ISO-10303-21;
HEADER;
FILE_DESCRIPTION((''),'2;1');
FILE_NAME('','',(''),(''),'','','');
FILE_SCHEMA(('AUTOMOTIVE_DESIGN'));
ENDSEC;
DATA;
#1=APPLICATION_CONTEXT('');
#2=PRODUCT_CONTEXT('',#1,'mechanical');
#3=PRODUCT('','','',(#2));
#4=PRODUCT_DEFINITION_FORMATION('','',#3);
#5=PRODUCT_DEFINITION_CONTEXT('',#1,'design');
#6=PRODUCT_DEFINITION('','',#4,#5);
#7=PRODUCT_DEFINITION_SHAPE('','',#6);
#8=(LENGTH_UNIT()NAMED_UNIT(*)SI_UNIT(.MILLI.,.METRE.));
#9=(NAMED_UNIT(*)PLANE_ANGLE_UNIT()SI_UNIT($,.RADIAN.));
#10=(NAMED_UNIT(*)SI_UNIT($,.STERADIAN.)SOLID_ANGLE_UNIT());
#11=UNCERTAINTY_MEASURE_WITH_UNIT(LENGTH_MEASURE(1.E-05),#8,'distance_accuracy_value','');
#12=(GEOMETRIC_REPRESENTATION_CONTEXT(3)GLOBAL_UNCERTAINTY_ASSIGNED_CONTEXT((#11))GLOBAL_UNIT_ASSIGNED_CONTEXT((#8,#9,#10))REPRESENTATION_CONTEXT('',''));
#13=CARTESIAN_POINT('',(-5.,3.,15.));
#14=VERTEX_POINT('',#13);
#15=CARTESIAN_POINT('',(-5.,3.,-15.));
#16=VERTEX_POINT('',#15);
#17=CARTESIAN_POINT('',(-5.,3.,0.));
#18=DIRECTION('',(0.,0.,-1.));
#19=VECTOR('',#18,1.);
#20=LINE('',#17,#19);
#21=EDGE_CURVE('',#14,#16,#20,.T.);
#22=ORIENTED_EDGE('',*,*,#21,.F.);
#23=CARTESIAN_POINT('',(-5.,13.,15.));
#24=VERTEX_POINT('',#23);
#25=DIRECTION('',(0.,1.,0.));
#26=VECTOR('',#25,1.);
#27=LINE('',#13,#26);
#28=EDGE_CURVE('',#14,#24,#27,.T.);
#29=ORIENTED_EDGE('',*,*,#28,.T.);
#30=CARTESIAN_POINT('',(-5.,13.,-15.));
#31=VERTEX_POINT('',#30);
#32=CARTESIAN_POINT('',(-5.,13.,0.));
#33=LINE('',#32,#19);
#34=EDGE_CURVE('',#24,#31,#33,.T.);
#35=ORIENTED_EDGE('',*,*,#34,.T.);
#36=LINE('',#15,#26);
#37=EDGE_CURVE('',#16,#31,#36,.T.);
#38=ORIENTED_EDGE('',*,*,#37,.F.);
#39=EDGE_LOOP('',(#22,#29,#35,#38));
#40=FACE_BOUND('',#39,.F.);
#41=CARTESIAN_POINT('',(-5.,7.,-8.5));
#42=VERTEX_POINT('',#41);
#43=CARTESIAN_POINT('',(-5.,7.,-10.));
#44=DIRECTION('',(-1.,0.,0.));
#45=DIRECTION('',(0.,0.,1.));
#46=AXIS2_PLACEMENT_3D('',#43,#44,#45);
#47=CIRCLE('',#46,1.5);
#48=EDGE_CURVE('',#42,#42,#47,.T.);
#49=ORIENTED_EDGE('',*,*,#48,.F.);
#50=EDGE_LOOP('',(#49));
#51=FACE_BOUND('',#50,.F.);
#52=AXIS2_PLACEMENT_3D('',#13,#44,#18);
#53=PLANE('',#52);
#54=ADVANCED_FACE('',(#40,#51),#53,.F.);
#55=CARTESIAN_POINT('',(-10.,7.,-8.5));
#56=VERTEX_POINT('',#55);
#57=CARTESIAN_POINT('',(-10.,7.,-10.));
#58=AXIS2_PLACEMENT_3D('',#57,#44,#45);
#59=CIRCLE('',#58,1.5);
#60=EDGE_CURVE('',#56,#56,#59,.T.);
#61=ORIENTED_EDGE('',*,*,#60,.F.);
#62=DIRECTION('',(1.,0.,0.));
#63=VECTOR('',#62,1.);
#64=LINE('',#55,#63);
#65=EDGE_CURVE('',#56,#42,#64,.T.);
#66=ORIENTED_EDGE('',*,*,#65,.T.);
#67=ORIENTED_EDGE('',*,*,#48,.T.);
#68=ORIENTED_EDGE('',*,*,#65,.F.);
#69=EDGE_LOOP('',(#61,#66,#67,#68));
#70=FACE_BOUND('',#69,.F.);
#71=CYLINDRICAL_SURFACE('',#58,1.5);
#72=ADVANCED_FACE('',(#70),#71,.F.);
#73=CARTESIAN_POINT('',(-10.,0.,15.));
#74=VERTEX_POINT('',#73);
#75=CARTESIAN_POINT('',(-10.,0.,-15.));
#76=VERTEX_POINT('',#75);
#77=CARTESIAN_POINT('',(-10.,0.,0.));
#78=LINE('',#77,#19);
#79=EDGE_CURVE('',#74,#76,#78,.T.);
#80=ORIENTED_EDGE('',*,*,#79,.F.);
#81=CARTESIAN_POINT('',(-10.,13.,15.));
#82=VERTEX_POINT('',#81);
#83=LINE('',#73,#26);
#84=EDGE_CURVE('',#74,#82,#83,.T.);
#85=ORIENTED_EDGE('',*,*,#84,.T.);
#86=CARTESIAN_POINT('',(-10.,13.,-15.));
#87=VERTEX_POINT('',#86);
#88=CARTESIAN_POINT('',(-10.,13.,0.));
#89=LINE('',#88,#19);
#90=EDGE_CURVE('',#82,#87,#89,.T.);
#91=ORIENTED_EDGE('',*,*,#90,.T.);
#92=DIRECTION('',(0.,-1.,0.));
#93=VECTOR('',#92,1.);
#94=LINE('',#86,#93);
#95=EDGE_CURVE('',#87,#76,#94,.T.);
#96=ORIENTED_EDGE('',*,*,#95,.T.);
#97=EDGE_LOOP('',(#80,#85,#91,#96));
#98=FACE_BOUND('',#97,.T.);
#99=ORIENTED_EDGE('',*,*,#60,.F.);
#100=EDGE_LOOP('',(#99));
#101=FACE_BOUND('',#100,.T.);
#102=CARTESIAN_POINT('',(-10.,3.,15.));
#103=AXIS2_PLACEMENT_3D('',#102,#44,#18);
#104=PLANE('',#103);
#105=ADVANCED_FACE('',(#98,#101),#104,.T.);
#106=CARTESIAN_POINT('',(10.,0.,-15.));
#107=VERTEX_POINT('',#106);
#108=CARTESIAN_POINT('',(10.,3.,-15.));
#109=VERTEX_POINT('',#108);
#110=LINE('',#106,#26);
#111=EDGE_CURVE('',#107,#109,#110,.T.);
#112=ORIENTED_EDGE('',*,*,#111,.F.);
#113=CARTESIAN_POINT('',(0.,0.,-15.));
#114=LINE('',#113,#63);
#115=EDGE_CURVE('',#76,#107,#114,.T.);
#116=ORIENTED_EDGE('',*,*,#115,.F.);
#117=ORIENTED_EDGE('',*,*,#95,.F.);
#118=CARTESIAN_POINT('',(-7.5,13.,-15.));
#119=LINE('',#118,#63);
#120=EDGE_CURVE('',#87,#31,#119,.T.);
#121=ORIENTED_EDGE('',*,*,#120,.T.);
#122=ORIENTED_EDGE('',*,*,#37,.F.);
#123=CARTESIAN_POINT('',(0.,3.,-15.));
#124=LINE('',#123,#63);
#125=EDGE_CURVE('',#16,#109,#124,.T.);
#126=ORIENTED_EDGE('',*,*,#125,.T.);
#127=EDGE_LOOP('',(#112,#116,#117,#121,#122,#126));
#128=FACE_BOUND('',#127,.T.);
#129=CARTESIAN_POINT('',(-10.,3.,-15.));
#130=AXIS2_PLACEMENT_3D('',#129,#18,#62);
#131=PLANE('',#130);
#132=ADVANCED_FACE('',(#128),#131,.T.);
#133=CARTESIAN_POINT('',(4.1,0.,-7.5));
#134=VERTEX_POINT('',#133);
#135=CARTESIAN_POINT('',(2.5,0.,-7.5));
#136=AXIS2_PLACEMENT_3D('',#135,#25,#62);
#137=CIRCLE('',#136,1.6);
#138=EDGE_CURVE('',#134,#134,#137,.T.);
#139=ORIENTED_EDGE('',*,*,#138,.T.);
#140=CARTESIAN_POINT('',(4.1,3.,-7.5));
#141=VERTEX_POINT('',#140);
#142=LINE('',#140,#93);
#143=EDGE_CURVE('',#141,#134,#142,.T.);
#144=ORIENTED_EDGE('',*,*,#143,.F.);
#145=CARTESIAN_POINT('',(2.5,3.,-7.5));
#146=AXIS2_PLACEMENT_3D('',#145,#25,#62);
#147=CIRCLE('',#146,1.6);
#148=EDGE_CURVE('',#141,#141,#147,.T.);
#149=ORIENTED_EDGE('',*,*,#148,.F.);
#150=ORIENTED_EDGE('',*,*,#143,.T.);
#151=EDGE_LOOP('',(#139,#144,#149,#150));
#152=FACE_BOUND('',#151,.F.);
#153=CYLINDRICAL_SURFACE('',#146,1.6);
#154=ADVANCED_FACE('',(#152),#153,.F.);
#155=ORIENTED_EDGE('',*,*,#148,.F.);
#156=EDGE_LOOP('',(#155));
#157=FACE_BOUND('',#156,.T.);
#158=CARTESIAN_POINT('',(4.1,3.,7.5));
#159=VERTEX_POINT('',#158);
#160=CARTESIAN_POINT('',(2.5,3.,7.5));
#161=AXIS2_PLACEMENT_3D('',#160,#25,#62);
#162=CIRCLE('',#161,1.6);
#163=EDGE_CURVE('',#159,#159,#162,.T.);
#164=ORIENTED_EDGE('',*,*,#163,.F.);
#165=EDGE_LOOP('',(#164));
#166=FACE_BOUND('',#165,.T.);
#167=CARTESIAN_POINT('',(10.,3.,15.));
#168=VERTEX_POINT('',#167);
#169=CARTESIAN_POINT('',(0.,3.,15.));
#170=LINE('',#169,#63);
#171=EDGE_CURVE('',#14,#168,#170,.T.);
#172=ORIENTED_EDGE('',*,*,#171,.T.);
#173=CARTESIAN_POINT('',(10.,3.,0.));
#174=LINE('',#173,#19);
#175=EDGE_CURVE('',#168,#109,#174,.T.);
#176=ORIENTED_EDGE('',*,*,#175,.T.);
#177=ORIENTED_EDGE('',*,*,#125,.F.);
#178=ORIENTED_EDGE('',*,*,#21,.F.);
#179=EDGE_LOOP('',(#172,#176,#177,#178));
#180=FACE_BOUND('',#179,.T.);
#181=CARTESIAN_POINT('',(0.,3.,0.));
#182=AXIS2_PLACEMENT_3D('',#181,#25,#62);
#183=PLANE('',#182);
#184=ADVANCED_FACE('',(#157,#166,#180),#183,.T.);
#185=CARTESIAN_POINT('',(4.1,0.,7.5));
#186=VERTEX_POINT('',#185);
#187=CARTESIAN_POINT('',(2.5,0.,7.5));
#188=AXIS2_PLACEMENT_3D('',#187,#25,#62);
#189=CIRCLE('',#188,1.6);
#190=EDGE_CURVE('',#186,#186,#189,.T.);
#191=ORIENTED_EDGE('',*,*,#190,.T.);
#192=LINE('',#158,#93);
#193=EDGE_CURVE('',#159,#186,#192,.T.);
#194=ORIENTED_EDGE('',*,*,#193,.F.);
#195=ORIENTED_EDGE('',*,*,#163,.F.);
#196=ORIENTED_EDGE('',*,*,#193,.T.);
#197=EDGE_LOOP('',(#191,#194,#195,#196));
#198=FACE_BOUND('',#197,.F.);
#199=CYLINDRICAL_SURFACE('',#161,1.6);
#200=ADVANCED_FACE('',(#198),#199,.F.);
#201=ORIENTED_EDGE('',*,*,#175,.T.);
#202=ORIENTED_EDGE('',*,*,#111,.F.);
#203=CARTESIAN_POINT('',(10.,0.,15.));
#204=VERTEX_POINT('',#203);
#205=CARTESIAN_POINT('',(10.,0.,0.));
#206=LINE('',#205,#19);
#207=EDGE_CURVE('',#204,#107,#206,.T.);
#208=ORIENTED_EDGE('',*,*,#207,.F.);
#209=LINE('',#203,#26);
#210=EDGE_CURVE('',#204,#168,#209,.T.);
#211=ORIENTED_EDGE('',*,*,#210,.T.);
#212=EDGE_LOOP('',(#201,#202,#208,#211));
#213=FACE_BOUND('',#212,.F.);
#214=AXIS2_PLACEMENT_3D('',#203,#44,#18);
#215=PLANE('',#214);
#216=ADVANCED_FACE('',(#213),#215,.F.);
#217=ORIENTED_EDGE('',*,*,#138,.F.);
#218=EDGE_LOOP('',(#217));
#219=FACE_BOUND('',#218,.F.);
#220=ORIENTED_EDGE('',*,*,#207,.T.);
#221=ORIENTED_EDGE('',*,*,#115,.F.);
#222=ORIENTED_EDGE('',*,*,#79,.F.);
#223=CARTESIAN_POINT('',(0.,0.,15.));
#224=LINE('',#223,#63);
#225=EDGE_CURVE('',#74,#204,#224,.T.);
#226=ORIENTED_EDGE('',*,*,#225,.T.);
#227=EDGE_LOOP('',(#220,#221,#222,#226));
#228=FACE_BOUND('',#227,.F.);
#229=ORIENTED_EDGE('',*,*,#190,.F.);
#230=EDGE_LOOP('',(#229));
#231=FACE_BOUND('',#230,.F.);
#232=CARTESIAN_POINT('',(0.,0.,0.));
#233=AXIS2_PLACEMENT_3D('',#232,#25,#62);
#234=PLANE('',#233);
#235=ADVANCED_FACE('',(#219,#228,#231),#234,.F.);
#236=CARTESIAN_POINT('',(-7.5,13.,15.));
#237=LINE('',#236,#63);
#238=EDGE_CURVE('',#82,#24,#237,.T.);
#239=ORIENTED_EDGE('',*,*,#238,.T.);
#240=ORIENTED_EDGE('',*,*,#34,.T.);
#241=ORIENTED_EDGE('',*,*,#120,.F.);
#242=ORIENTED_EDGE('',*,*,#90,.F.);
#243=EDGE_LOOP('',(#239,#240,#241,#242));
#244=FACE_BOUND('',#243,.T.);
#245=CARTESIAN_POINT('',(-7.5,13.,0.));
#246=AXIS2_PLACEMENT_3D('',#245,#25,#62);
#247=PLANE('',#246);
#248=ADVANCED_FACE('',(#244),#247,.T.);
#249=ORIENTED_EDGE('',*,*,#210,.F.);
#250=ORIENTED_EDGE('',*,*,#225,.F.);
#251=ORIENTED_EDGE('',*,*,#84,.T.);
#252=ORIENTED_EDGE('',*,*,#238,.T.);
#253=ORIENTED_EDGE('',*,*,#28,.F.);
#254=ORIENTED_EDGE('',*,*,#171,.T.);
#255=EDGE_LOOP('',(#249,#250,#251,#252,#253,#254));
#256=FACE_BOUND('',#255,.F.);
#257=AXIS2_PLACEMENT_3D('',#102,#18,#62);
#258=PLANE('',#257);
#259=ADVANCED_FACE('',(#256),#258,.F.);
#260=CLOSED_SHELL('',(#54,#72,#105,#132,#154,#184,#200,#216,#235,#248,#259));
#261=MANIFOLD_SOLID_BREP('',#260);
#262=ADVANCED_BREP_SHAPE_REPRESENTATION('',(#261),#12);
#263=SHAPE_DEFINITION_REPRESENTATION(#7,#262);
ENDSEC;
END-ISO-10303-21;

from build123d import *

# Parameters (mm, degrees)
SKETCH1_W           = 20
SKETCH1_H           = 30
BOSS_EXTRUDE1_DEPTH = 3
SKETCH2_W           = 5
SKETCH2_H           = 30
BOSS_EXTRUDE2_DEPTH = 10
SKETCH3_R           = 1.5
CUT_EXTRUDE1_DEPTH  = 10
SKETCH4_R           = 1.6
CUT_EXTRUDE2_DEPTH  = 4


with BuildPart() as part:
    # Sketch1 → Boss-Extrude1 (new body)
    with BuildSketch(Plane(origin=(0, 0, 0), x_dir=(1, 0, 0), z_dir=(0, 1, 0))):
        Rectangle(SKETCH1_W, SKETCH1_H)
    extrude(amount=BOSS_EXTRUDE1_DEPTH)

    # Sketch2 → Boss-Extrude2 (add)
    with BuildSketch(Plane(origin=(0, 3, 0), x_dir=(1, 0, 0), z_dir=(0, 1, 0))):
        with Locations((-7.5, 0)):
            Rectangle(SKETCH2_W, SKETCH2_H)
    extrude(amount=BOSS_EXTRUDE2_DEPTH)

    # Sketch3 → Cut-Extrude1 (cut)
    with BuildSketch(Plane.ZY.offset(10)):
        with Locations((-10, 7)):
            Circle(SKETCH3_R)
    extrude(amount=-CUT_EXTRUDE1_DEPTH, mode=Mode.SUBTRACT)

    # Sketch4 → Cut-Extrude2 (cut, through all)
    with BuildSketch(Plane(origin=(0, 3, 0), x_dir=(1, 0, 0), z_dir=(0, 1, 0))):
        with Locations((2.5, -7.5)):
            Circle(SKETCH4_R)
        with Locations((2.5, 7.5)):
            Circle(SKETCH4_R)
    extrude(amount=-CUT_EXTRUDE2_DEPTH, mode=Mode.SUBTRACT)


solid = part.part
